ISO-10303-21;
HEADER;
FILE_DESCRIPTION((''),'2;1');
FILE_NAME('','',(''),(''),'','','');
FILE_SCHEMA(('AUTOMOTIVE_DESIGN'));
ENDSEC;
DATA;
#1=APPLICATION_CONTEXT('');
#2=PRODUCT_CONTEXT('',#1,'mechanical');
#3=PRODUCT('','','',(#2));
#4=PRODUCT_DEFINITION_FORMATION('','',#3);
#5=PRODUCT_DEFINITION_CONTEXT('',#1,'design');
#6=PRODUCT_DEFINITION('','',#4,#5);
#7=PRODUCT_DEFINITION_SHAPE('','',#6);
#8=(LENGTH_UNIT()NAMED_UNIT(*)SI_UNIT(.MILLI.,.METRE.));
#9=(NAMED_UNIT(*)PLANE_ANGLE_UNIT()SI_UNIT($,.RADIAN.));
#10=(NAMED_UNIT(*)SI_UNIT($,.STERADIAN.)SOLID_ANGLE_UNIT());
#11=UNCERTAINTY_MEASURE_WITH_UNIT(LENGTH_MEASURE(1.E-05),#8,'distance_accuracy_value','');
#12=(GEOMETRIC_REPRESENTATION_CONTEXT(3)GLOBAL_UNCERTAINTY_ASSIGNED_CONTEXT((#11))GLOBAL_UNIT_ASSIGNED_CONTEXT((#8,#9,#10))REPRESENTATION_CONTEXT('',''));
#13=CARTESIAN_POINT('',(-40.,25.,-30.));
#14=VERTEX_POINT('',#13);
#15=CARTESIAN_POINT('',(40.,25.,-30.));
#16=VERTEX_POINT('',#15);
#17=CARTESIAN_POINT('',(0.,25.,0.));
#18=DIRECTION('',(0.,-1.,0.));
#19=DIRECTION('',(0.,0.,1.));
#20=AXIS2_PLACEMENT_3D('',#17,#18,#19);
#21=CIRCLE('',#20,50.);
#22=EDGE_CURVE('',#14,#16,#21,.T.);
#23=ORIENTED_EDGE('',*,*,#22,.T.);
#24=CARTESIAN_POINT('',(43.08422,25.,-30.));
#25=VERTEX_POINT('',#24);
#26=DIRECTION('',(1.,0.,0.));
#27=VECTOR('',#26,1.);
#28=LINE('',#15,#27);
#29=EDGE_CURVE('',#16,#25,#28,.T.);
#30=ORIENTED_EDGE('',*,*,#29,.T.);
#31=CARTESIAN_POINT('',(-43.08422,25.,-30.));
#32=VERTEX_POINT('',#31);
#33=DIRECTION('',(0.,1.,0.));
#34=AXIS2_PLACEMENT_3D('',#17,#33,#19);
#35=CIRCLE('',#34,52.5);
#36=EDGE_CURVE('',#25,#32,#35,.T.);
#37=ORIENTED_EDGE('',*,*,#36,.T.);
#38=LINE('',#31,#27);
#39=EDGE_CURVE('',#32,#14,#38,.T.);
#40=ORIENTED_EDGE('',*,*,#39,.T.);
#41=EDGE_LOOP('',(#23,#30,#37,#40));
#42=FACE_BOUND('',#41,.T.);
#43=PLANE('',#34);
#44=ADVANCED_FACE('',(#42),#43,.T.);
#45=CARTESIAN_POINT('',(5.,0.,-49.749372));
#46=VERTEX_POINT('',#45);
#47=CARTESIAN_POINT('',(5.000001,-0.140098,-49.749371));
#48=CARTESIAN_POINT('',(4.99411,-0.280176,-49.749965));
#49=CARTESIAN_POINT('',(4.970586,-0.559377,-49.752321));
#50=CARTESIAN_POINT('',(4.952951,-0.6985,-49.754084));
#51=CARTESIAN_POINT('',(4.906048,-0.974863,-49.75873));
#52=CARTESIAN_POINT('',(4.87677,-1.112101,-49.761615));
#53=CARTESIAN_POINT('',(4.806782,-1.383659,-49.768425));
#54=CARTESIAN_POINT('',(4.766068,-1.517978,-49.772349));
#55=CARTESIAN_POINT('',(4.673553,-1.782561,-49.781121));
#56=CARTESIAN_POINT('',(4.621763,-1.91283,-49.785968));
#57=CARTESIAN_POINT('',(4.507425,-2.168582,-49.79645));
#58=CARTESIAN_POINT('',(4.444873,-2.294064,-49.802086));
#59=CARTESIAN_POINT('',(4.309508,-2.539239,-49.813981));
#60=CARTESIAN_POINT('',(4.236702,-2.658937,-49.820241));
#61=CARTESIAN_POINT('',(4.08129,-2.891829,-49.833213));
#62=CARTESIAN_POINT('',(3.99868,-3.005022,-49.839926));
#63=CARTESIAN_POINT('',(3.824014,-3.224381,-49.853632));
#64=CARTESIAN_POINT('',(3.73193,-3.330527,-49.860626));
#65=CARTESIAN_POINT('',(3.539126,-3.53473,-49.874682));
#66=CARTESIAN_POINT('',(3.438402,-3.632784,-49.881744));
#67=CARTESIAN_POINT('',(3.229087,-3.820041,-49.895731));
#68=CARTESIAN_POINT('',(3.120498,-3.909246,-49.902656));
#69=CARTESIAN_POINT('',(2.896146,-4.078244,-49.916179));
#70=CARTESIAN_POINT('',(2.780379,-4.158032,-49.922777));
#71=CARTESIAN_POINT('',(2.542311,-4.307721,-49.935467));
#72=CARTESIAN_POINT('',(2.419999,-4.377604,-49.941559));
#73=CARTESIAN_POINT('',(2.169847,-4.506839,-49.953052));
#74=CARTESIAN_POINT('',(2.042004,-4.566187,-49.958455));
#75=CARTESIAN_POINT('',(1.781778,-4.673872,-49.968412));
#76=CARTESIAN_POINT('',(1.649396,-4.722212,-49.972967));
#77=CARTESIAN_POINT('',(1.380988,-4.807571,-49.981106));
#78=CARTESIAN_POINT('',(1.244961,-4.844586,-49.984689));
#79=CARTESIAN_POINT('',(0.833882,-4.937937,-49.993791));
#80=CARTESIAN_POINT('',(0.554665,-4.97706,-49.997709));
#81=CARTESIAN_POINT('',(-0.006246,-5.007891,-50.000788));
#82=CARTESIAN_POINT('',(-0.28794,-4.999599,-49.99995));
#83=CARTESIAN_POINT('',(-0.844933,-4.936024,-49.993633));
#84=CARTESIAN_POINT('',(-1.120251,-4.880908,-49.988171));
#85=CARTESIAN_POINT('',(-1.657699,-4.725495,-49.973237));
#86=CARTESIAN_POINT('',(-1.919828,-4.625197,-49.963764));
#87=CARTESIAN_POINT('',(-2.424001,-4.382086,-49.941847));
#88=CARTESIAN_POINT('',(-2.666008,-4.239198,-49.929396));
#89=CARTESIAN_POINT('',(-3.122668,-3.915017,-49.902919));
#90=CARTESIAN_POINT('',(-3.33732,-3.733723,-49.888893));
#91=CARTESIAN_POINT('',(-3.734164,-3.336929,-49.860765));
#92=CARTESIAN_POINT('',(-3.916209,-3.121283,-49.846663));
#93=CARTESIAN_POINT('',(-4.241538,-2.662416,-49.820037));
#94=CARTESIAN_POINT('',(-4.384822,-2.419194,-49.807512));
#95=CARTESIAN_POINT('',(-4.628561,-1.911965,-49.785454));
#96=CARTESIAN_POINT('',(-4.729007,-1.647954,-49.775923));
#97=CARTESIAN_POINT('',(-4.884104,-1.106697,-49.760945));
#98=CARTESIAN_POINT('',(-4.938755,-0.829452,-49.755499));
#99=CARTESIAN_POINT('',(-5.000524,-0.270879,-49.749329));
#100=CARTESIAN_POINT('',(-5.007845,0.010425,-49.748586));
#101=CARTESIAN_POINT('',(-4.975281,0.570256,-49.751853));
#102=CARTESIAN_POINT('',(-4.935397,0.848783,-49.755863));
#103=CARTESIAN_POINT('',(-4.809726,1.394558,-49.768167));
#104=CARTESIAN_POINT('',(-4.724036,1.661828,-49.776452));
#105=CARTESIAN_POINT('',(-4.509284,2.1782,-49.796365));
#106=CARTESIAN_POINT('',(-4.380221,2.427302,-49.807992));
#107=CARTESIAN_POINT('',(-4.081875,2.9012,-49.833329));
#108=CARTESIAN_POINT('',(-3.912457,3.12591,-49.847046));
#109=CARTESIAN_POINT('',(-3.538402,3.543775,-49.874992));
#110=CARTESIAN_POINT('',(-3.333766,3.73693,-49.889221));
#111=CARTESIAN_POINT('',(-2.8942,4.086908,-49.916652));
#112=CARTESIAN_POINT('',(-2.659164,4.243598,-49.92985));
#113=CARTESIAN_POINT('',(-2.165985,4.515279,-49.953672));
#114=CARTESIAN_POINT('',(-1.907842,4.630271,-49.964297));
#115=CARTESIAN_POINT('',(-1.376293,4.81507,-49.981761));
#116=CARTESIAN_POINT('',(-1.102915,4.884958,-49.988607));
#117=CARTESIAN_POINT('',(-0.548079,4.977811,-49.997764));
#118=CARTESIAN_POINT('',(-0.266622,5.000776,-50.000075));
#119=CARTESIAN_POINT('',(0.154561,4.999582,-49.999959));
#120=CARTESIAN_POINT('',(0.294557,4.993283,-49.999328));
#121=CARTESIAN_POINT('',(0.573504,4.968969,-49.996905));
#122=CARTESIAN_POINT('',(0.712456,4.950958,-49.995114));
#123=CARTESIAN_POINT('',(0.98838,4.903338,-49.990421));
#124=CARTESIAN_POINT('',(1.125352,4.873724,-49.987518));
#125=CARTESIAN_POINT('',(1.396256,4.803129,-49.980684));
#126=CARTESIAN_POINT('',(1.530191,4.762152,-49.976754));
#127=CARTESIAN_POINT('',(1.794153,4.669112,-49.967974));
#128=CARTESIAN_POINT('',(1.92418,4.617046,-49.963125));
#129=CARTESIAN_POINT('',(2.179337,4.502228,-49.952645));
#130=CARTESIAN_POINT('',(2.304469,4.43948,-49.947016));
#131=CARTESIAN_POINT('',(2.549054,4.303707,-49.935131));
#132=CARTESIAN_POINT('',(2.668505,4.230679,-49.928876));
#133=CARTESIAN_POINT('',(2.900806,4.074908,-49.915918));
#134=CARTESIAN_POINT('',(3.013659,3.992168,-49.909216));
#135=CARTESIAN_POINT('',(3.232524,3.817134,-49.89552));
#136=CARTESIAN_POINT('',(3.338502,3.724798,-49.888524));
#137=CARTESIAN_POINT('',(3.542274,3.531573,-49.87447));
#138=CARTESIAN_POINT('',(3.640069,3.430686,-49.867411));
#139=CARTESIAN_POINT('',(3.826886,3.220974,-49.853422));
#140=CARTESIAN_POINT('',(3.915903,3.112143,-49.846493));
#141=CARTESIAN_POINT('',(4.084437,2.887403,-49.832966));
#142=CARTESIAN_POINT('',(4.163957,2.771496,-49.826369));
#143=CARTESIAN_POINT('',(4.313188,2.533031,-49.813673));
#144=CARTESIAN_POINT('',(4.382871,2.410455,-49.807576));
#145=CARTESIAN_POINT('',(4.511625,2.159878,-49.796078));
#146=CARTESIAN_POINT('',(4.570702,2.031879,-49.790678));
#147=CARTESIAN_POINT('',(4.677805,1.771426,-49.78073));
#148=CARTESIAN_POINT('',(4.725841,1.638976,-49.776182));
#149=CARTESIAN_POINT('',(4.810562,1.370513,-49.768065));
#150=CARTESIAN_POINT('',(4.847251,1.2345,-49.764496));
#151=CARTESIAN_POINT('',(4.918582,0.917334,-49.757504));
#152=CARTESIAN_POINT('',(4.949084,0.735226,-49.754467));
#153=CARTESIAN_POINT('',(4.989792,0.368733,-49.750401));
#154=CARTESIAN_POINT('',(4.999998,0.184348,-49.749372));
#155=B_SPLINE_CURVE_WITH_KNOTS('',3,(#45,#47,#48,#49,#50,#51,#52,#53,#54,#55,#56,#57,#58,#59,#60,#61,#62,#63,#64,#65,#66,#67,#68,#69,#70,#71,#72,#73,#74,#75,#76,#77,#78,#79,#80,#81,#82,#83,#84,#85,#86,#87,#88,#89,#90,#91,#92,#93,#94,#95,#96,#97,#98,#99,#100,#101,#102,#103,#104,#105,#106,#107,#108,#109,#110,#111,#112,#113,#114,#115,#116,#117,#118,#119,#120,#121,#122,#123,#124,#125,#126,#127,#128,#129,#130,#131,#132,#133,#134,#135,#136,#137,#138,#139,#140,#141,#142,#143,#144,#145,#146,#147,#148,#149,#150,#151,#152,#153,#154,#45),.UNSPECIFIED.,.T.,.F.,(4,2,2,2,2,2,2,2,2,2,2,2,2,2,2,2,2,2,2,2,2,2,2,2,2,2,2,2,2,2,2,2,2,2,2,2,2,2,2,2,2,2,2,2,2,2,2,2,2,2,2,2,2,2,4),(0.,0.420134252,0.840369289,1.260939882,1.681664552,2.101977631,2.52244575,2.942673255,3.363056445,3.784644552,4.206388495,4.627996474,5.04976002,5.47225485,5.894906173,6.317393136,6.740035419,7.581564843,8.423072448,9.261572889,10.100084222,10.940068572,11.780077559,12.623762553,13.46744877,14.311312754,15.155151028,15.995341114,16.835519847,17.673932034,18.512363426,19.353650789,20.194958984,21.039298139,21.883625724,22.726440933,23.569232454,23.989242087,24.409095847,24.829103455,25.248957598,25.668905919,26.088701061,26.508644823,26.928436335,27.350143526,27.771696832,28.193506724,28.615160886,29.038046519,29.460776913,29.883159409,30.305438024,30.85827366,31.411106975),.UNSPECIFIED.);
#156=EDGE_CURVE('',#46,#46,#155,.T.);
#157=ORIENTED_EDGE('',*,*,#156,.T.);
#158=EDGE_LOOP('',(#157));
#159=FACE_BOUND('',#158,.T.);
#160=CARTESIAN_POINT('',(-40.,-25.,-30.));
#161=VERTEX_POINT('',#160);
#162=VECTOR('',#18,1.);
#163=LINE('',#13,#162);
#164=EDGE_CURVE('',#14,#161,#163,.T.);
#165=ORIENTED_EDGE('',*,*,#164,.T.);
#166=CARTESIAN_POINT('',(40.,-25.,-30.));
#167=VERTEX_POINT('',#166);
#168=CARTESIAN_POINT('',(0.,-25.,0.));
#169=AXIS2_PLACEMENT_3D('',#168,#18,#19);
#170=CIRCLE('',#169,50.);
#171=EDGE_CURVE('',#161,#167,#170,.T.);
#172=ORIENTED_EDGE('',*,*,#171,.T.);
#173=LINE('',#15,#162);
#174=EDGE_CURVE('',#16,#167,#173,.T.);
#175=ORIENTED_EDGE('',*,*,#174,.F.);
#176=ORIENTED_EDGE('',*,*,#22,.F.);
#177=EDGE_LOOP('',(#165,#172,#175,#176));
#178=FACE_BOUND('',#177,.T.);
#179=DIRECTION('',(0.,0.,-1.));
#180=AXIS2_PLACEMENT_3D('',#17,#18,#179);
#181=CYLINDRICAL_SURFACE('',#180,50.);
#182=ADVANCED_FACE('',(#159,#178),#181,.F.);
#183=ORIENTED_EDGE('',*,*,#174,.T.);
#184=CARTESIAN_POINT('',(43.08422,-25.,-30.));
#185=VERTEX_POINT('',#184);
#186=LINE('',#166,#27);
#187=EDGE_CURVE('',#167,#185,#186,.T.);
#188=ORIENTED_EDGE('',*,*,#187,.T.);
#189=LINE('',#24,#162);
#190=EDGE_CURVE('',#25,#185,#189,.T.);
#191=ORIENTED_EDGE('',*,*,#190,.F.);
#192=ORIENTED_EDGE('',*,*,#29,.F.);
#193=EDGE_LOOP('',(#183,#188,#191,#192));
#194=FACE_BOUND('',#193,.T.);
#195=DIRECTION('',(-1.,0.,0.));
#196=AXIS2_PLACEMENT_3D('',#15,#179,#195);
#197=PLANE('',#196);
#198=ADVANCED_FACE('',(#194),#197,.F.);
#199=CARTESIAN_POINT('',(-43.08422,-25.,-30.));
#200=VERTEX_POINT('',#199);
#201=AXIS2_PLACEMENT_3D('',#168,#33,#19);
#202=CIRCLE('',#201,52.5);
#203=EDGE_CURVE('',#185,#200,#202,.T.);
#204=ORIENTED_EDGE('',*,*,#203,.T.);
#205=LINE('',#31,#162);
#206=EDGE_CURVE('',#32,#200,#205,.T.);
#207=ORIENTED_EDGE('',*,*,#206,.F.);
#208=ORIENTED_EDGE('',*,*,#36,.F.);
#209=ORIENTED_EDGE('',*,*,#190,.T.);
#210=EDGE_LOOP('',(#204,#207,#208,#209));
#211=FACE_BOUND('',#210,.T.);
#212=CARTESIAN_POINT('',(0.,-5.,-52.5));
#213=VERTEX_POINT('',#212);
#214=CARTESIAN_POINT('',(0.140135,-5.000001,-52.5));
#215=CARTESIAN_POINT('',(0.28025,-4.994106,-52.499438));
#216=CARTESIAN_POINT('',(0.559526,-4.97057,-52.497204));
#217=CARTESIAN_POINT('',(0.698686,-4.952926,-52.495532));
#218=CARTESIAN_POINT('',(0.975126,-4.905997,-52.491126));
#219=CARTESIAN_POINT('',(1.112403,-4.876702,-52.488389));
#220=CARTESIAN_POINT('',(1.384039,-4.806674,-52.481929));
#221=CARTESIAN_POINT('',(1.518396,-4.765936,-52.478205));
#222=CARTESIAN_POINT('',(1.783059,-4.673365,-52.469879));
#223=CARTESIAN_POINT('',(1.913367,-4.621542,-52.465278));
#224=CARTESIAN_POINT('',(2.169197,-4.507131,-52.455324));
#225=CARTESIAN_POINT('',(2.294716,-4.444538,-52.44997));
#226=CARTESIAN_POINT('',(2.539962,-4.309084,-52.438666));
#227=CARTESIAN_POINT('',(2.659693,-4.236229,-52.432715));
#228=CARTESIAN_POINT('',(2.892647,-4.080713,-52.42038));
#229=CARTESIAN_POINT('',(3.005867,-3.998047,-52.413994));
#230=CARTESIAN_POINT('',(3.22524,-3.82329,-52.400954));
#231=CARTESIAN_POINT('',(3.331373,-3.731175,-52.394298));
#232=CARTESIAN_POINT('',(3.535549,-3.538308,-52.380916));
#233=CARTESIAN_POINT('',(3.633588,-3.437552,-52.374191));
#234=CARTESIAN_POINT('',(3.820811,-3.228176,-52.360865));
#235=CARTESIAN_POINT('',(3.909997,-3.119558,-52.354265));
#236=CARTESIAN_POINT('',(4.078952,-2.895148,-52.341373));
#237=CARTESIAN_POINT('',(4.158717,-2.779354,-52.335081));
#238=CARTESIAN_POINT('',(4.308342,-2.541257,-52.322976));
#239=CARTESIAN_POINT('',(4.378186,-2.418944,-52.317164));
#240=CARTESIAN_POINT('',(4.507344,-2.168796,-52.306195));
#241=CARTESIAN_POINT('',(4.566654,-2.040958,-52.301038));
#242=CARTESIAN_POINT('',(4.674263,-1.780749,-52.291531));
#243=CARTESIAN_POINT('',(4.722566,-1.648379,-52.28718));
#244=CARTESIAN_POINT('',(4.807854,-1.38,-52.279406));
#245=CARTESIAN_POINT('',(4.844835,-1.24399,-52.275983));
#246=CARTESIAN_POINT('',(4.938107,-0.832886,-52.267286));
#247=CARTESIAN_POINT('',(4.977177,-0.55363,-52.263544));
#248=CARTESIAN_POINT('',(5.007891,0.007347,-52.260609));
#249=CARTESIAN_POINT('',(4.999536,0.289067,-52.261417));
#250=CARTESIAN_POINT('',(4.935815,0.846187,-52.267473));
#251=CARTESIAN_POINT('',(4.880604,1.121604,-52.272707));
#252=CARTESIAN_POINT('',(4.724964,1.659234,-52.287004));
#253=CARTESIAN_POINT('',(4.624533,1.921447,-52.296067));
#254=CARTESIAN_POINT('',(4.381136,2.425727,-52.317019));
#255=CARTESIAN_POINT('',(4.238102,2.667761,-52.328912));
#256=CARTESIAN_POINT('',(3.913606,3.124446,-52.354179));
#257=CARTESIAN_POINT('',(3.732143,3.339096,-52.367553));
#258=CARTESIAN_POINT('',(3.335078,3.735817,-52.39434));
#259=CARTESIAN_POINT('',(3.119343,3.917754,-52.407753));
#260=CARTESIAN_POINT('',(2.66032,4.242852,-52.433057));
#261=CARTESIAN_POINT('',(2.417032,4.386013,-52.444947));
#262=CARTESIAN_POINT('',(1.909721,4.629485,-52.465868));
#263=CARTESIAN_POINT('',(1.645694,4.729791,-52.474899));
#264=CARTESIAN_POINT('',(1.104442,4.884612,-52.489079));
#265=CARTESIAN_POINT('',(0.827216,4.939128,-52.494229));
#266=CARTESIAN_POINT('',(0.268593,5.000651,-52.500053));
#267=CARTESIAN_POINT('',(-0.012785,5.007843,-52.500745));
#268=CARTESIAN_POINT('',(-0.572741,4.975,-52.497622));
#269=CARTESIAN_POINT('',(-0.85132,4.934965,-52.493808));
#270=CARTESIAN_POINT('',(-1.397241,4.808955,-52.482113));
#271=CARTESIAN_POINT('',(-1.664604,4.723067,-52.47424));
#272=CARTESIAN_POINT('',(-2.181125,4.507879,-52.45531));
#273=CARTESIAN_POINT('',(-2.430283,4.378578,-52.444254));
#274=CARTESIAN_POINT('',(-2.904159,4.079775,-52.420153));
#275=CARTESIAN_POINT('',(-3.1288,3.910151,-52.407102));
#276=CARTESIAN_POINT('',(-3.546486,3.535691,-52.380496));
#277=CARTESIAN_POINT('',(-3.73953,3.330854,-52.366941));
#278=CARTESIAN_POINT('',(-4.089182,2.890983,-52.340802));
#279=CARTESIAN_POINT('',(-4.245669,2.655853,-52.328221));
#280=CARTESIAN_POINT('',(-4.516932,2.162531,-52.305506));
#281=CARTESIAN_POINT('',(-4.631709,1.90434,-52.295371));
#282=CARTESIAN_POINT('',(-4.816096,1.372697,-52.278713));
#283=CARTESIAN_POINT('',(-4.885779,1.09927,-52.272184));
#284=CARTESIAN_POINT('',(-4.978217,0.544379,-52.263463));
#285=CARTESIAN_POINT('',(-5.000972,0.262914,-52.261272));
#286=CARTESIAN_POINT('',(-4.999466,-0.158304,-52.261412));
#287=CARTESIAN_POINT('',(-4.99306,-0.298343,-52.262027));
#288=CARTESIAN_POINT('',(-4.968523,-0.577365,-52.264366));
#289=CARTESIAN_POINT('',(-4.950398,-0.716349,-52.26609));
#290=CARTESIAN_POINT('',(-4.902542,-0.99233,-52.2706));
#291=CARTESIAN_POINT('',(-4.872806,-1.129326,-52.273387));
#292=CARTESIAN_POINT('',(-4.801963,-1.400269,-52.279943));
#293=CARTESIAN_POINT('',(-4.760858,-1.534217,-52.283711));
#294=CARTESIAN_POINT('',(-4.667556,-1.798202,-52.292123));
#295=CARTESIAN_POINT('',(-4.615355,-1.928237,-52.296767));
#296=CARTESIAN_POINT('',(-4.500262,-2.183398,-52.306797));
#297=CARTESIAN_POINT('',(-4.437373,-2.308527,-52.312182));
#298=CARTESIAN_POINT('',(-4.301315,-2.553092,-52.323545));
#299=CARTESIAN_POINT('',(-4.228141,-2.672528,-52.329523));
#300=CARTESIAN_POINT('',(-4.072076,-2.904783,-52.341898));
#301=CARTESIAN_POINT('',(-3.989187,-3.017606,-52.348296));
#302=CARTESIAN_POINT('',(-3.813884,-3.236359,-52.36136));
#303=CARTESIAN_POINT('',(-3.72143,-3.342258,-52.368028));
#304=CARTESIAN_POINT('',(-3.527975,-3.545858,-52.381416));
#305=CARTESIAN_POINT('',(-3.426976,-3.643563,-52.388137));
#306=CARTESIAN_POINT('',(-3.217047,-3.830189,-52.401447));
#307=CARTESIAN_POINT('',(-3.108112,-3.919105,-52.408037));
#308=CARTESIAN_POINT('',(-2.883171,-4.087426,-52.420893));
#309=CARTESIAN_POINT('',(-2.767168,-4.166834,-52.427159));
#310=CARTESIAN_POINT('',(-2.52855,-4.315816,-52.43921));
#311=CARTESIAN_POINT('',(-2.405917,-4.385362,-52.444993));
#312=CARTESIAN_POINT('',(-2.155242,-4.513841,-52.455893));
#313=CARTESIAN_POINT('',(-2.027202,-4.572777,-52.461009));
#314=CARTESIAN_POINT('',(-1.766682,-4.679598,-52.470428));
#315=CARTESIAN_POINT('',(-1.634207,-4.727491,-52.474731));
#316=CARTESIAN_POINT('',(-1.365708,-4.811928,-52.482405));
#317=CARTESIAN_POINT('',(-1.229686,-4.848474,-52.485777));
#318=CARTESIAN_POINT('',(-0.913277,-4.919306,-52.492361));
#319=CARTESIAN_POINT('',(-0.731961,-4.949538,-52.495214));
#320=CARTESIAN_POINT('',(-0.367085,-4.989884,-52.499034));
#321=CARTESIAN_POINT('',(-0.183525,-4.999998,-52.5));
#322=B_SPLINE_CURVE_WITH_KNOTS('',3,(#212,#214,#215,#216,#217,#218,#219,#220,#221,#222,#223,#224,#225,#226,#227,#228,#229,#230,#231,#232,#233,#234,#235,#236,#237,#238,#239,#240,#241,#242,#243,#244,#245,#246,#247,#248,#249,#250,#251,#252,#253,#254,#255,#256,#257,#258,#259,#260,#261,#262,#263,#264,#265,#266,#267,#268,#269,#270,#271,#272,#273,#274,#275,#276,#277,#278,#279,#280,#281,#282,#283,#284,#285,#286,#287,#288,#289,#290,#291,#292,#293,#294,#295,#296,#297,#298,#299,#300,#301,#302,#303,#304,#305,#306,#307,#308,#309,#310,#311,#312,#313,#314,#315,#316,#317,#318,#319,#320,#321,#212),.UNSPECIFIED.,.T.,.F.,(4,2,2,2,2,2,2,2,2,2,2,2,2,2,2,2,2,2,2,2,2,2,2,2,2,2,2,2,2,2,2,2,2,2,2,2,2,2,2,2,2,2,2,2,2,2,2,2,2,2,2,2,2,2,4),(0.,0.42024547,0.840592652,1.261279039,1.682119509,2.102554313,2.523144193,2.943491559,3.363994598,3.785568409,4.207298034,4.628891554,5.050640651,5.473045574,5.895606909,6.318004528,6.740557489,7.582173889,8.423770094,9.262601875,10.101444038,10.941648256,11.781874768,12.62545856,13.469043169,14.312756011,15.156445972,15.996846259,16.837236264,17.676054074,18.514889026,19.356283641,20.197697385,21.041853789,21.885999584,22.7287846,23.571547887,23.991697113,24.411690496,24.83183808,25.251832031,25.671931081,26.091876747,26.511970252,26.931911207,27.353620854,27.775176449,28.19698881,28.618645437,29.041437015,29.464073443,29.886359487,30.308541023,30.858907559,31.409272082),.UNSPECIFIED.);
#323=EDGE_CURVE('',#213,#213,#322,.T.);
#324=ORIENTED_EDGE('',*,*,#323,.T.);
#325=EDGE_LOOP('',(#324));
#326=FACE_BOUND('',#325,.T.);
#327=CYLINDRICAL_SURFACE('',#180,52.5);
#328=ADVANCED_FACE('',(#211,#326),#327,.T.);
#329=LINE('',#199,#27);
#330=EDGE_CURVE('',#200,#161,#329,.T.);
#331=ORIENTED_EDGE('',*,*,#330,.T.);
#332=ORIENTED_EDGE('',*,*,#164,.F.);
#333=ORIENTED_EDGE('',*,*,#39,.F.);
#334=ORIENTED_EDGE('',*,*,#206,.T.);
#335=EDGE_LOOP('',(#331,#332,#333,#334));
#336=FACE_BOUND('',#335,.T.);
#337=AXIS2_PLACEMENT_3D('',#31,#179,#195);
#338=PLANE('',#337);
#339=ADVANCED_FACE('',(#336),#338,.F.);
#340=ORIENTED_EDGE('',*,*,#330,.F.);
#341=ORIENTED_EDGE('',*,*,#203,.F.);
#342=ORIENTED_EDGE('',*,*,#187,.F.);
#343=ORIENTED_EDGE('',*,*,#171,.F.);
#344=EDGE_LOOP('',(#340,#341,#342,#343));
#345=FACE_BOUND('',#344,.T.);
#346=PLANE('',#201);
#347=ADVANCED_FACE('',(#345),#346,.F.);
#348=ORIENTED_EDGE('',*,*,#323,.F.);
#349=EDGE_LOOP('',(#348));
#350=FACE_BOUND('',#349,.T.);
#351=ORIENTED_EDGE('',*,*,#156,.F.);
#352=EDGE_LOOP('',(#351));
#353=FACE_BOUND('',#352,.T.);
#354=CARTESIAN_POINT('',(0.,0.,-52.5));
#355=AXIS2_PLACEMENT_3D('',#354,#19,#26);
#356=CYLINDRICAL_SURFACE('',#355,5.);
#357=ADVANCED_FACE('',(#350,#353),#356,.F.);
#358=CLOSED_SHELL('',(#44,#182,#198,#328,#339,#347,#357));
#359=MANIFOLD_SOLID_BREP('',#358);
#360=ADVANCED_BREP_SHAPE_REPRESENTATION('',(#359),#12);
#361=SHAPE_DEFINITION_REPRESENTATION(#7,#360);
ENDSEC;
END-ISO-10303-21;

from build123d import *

# Parameters (mm, degrees)
BOSS_EXTRUDE1_DEPTH     = 25
CUT_EXTRUDE1_DEPTH      = 55.155447556
CUT_EXTRUDE1_DEPTH_BACK = 55.155447556
SKETCH2_R               = 5


with BuildPart() as part:
    # Sketch1 → Boss-Extrude1 (new, symmetric)
    with BuildSketch(Plane(origin=(0, 0, 0), x_dir=(1, 0, 0), z_dir=(0, 1, 0))):
        with BuildLine():
            Line((-43.084219849, 30), (-40, 30))
            ThreePointArc((-40, 30), (0, 50), (40, 30))
            Line((40, 30), (43.084219849, 30))
            ThreePointArc((43.084219849, 30), (0, 52.5), (-43.084219849, 30))
        make_face()
    extrude(amount=BOSS_EXTRUDE1_DEPTH, both=True)

    # Sketch2 → Cut-Extrude1 (cut, two sides: drawn at the far end of the back side and taken through both)
    with BuildSketch(Plane.XY.offset(-51.25).offset(-CUT_EXTRUDE1_DEPTH_BACK)):
        Circle(SKETCH2_R)
    extrude(amount=CUT_EXTRUDE1_DEPTH + CUT_EXTRUDE1_DEPTH_BACK, mode=Mode.SUBTRACT)


solid = part.part
